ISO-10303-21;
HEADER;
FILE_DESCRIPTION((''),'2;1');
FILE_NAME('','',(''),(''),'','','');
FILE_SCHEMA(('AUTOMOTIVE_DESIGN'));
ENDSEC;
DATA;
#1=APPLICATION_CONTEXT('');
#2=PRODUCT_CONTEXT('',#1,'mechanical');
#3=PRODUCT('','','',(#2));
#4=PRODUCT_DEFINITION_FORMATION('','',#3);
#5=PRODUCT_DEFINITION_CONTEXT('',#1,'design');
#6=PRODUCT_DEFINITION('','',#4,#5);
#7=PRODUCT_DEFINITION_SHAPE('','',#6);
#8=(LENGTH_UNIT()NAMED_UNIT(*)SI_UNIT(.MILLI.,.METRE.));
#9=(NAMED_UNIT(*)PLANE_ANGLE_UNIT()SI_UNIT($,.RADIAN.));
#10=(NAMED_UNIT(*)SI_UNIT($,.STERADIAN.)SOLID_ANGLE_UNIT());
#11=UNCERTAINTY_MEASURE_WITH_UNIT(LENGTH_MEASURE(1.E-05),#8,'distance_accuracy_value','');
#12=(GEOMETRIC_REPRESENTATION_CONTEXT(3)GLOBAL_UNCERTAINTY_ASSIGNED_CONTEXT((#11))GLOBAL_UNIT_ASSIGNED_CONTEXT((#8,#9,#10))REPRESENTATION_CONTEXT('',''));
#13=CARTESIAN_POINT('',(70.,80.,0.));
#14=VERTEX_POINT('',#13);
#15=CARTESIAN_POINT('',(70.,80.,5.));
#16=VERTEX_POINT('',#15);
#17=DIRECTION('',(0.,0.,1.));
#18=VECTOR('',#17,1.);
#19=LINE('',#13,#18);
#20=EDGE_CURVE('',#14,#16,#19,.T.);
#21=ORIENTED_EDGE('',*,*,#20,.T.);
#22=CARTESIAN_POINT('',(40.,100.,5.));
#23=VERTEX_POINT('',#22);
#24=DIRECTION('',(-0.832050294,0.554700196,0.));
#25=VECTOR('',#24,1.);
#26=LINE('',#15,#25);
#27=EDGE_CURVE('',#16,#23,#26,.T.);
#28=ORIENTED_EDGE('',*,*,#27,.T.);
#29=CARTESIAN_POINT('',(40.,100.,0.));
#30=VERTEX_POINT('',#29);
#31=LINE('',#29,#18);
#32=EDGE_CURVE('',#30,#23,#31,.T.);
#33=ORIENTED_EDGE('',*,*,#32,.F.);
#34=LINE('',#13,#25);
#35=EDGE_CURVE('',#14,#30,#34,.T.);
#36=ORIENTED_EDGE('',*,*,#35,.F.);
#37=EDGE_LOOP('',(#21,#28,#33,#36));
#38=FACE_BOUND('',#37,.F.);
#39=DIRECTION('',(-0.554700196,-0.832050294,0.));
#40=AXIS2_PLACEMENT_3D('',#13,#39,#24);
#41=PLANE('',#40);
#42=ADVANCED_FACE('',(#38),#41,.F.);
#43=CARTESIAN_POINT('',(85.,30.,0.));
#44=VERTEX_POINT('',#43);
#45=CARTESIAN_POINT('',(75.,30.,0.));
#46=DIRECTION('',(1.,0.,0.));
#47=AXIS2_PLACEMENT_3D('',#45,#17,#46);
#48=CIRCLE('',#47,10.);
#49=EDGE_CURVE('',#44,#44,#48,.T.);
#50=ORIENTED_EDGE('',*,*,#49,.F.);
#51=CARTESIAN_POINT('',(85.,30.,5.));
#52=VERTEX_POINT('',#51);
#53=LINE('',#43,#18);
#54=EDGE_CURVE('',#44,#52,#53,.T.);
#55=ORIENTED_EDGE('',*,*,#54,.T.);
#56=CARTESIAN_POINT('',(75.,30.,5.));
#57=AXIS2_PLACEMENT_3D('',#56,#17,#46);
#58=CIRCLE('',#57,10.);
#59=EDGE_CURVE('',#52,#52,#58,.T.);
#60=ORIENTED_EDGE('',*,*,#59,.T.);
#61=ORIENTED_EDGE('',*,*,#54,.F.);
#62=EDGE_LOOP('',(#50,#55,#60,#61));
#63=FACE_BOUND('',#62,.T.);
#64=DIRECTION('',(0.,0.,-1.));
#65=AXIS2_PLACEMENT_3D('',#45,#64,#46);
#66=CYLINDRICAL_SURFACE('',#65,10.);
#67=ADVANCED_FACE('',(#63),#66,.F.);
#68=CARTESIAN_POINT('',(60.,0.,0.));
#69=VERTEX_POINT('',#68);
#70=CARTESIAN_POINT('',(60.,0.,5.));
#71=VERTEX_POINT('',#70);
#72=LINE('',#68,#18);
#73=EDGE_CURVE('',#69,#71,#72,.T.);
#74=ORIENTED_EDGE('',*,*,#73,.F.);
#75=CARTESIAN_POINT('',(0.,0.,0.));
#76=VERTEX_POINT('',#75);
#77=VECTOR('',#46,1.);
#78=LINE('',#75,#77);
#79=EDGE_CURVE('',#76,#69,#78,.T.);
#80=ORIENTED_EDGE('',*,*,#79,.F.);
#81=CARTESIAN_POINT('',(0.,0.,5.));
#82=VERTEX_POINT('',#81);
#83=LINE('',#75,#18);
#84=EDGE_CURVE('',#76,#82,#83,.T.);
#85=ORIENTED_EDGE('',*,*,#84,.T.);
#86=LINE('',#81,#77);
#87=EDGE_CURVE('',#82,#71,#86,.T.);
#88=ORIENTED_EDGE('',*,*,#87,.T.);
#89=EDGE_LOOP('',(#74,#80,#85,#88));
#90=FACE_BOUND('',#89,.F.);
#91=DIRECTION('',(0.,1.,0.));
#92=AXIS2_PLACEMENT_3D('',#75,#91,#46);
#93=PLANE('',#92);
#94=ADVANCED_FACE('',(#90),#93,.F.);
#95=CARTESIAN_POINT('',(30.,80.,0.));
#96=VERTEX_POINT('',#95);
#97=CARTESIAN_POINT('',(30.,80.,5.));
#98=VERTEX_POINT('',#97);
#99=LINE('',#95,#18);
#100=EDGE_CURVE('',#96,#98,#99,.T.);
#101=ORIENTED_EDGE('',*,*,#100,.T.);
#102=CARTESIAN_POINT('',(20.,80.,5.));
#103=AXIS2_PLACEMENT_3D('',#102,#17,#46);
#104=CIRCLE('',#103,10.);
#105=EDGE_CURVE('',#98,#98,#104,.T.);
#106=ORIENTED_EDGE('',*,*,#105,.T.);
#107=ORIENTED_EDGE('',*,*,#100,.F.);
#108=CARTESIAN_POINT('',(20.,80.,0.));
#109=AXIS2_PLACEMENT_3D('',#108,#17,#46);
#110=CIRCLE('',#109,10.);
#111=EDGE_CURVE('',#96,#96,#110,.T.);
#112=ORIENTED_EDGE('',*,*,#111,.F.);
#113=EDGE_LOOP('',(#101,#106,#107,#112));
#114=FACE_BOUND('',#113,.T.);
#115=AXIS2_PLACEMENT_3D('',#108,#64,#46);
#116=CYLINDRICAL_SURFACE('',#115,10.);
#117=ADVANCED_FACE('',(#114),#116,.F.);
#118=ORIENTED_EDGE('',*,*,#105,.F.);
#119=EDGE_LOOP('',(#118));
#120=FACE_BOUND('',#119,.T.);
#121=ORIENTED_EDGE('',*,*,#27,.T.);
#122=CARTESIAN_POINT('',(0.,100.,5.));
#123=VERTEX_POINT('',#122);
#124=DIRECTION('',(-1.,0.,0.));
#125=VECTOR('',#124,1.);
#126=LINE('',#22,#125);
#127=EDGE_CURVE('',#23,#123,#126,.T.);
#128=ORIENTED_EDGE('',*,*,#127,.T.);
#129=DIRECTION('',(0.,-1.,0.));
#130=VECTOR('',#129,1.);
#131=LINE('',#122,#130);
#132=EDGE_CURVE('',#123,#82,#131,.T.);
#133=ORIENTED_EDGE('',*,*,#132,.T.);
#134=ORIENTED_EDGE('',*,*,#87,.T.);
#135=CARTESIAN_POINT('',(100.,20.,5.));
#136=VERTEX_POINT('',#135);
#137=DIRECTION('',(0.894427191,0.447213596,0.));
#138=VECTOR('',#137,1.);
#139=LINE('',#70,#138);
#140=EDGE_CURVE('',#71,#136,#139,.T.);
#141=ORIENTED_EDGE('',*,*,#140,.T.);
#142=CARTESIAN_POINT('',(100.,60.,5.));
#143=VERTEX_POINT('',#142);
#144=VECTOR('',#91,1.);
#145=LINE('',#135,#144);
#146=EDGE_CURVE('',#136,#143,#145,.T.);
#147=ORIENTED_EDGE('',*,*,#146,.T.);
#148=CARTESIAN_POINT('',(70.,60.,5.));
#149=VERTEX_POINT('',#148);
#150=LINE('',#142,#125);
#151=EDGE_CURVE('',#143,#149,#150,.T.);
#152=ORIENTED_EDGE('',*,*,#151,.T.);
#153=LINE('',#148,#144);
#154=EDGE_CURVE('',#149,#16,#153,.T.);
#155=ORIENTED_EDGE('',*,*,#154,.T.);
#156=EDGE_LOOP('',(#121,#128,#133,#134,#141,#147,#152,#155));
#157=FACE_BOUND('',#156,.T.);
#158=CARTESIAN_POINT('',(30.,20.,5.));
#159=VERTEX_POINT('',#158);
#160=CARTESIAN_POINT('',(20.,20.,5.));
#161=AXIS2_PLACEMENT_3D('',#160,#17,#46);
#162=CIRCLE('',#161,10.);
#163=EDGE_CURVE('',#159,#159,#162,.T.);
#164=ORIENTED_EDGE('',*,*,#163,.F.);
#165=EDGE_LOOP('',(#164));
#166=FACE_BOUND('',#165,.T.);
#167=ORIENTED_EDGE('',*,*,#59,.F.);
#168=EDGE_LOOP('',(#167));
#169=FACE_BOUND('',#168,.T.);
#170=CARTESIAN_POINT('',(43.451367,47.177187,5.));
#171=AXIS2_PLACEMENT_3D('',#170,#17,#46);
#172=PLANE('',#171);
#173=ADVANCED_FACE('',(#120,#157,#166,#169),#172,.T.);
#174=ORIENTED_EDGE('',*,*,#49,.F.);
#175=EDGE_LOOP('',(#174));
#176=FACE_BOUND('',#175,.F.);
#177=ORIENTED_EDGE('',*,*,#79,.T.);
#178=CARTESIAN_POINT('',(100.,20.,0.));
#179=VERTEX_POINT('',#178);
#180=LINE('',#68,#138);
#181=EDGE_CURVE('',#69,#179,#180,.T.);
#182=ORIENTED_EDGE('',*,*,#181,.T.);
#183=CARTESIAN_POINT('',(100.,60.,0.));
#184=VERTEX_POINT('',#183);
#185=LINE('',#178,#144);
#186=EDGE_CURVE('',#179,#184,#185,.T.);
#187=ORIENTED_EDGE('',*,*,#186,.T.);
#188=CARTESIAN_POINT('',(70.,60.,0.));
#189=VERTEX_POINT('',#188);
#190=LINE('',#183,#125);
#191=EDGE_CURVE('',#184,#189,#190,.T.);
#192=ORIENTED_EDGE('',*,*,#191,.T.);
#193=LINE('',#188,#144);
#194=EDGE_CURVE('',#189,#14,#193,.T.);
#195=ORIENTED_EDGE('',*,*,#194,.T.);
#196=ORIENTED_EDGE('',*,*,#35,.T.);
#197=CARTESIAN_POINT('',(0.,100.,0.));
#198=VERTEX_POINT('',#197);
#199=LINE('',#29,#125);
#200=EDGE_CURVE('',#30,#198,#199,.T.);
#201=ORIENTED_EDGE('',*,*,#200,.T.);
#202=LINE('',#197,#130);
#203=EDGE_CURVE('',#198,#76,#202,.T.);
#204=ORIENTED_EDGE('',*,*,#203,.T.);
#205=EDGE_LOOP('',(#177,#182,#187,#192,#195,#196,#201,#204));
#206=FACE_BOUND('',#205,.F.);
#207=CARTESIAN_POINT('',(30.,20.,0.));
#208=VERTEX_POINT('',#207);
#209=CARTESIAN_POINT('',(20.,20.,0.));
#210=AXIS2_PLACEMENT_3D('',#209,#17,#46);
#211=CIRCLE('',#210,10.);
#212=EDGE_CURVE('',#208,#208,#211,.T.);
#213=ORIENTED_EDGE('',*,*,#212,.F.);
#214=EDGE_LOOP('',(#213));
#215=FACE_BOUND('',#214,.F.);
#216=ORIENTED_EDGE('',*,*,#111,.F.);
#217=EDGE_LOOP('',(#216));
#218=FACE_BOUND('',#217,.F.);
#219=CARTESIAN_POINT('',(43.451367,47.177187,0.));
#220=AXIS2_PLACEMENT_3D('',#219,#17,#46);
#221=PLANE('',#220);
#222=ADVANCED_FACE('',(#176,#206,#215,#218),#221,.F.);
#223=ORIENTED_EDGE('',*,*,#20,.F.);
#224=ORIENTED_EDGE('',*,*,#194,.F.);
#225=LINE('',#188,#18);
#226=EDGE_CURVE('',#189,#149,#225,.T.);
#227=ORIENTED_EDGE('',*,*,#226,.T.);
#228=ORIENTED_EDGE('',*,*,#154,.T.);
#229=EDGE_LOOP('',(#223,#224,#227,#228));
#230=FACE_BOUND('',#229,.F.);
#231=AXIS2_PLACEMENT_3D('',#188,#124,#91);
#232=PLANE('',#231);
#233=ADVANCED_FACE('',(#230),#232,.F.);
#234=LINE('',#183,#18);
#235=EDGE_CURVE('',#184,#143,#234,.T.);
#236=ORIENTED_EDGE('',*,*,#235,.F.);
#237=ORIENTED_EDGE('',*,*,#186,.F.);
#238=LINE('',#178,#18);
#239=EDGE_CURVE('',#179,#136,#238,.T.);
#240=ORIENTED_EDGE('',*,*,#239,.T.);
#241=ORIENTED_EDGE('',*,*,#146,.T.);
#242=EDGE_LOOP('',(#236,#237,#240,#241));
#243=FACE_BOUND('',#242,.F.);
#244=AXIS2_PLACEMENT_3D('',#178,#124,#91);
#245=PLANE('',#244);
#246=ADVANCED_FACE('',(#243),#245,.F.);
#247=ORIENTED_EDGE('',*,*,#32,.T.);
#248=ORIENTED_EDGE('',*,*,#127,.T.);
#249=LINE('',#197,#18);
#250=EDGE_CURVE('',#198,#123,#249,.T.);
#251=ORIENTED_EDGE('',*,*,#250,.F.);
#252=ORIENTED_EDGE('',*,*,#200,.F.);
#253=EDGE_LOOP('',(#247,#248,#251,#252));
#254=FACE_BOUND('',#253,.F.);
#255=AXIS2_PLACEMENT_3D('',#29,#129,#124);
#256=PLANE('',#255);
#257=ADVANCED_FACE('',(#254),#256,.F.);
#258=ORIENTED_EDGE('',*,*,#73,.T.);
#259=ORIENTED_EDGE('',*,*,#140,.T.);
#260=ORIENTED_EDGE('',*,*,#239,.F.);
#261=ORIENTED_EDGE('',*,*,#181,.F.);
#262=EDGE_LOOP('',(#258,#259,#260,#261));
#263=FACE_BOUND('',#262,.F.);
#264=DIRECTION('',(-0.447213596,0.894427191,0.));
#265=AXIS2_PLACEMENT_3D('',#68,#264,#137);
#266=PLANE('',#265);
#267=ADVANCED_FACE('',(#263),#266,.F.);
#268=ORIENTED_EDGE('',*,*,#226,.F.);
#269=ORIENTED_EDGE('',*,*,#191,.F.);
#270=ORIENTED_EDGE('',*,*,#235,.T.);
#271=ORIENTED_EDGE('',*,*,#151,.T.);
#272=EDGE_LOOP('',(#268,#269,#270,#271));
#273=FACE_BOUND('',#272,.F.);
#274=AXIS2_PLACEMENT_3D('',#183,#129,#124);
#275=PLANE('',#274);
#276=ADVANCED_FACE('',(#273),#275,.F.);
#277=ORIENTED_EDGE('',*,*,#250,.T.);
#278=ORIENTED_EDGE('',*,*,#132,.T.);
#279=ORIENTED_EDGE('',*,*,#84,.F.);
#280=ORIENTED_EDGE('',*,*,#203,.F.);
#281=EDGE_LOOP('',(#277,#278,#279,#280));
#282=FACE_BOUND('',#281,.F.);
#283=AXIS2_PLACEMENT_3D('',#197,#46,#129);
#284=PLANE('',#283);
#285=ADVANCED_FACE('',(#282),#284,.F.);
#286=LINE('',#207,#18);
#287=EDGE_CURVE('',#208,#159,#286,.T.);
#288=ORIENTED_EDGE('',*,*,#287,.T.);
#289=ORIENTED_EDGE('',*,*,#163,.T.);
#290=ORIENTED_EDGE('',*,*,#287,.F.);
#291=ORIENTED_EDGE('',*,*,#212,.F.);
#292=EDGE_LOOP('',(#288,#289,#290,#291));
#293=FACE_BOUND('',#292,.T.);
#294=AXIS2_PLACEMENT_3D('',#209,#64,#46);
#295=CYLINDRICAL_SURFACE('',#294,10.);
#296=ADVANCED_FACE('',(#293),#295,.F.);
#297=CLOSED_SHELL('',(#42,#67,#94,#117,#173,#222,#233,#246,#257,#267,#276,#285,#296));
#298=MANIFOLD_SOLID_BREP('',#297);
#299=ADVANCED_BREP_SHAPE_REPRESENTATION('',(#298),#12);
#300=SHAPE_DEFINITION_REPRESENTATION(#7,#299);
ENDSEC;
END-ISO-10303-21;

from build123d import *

# Parameters (mm, degrees)
F0_R     = 10
F1_DEPTH = 5


with BuildPart() as f1:
    # F0 (on Top) → F1 (new body)
    with BuildSketch(Plane.XY):
        Polygon((0, 100), (0, 0), (60, 0), (100, 20), (100, 60), (70, 60), (70, 80), (40, 100), align=None)
        with Locations((20, 20)):
            Circle(F0_R, mode=Mode.SUBTRACT)
        with Locations((75, 30)):
            Circle(F0_R, mode=Mode.SUBTRACT)
        with Locations((20, 80)):
            Circle(F0_R, mode=Mode.SUBTRACT)
    extrude(amount=F1_DEPTH)


solid = f1.part
